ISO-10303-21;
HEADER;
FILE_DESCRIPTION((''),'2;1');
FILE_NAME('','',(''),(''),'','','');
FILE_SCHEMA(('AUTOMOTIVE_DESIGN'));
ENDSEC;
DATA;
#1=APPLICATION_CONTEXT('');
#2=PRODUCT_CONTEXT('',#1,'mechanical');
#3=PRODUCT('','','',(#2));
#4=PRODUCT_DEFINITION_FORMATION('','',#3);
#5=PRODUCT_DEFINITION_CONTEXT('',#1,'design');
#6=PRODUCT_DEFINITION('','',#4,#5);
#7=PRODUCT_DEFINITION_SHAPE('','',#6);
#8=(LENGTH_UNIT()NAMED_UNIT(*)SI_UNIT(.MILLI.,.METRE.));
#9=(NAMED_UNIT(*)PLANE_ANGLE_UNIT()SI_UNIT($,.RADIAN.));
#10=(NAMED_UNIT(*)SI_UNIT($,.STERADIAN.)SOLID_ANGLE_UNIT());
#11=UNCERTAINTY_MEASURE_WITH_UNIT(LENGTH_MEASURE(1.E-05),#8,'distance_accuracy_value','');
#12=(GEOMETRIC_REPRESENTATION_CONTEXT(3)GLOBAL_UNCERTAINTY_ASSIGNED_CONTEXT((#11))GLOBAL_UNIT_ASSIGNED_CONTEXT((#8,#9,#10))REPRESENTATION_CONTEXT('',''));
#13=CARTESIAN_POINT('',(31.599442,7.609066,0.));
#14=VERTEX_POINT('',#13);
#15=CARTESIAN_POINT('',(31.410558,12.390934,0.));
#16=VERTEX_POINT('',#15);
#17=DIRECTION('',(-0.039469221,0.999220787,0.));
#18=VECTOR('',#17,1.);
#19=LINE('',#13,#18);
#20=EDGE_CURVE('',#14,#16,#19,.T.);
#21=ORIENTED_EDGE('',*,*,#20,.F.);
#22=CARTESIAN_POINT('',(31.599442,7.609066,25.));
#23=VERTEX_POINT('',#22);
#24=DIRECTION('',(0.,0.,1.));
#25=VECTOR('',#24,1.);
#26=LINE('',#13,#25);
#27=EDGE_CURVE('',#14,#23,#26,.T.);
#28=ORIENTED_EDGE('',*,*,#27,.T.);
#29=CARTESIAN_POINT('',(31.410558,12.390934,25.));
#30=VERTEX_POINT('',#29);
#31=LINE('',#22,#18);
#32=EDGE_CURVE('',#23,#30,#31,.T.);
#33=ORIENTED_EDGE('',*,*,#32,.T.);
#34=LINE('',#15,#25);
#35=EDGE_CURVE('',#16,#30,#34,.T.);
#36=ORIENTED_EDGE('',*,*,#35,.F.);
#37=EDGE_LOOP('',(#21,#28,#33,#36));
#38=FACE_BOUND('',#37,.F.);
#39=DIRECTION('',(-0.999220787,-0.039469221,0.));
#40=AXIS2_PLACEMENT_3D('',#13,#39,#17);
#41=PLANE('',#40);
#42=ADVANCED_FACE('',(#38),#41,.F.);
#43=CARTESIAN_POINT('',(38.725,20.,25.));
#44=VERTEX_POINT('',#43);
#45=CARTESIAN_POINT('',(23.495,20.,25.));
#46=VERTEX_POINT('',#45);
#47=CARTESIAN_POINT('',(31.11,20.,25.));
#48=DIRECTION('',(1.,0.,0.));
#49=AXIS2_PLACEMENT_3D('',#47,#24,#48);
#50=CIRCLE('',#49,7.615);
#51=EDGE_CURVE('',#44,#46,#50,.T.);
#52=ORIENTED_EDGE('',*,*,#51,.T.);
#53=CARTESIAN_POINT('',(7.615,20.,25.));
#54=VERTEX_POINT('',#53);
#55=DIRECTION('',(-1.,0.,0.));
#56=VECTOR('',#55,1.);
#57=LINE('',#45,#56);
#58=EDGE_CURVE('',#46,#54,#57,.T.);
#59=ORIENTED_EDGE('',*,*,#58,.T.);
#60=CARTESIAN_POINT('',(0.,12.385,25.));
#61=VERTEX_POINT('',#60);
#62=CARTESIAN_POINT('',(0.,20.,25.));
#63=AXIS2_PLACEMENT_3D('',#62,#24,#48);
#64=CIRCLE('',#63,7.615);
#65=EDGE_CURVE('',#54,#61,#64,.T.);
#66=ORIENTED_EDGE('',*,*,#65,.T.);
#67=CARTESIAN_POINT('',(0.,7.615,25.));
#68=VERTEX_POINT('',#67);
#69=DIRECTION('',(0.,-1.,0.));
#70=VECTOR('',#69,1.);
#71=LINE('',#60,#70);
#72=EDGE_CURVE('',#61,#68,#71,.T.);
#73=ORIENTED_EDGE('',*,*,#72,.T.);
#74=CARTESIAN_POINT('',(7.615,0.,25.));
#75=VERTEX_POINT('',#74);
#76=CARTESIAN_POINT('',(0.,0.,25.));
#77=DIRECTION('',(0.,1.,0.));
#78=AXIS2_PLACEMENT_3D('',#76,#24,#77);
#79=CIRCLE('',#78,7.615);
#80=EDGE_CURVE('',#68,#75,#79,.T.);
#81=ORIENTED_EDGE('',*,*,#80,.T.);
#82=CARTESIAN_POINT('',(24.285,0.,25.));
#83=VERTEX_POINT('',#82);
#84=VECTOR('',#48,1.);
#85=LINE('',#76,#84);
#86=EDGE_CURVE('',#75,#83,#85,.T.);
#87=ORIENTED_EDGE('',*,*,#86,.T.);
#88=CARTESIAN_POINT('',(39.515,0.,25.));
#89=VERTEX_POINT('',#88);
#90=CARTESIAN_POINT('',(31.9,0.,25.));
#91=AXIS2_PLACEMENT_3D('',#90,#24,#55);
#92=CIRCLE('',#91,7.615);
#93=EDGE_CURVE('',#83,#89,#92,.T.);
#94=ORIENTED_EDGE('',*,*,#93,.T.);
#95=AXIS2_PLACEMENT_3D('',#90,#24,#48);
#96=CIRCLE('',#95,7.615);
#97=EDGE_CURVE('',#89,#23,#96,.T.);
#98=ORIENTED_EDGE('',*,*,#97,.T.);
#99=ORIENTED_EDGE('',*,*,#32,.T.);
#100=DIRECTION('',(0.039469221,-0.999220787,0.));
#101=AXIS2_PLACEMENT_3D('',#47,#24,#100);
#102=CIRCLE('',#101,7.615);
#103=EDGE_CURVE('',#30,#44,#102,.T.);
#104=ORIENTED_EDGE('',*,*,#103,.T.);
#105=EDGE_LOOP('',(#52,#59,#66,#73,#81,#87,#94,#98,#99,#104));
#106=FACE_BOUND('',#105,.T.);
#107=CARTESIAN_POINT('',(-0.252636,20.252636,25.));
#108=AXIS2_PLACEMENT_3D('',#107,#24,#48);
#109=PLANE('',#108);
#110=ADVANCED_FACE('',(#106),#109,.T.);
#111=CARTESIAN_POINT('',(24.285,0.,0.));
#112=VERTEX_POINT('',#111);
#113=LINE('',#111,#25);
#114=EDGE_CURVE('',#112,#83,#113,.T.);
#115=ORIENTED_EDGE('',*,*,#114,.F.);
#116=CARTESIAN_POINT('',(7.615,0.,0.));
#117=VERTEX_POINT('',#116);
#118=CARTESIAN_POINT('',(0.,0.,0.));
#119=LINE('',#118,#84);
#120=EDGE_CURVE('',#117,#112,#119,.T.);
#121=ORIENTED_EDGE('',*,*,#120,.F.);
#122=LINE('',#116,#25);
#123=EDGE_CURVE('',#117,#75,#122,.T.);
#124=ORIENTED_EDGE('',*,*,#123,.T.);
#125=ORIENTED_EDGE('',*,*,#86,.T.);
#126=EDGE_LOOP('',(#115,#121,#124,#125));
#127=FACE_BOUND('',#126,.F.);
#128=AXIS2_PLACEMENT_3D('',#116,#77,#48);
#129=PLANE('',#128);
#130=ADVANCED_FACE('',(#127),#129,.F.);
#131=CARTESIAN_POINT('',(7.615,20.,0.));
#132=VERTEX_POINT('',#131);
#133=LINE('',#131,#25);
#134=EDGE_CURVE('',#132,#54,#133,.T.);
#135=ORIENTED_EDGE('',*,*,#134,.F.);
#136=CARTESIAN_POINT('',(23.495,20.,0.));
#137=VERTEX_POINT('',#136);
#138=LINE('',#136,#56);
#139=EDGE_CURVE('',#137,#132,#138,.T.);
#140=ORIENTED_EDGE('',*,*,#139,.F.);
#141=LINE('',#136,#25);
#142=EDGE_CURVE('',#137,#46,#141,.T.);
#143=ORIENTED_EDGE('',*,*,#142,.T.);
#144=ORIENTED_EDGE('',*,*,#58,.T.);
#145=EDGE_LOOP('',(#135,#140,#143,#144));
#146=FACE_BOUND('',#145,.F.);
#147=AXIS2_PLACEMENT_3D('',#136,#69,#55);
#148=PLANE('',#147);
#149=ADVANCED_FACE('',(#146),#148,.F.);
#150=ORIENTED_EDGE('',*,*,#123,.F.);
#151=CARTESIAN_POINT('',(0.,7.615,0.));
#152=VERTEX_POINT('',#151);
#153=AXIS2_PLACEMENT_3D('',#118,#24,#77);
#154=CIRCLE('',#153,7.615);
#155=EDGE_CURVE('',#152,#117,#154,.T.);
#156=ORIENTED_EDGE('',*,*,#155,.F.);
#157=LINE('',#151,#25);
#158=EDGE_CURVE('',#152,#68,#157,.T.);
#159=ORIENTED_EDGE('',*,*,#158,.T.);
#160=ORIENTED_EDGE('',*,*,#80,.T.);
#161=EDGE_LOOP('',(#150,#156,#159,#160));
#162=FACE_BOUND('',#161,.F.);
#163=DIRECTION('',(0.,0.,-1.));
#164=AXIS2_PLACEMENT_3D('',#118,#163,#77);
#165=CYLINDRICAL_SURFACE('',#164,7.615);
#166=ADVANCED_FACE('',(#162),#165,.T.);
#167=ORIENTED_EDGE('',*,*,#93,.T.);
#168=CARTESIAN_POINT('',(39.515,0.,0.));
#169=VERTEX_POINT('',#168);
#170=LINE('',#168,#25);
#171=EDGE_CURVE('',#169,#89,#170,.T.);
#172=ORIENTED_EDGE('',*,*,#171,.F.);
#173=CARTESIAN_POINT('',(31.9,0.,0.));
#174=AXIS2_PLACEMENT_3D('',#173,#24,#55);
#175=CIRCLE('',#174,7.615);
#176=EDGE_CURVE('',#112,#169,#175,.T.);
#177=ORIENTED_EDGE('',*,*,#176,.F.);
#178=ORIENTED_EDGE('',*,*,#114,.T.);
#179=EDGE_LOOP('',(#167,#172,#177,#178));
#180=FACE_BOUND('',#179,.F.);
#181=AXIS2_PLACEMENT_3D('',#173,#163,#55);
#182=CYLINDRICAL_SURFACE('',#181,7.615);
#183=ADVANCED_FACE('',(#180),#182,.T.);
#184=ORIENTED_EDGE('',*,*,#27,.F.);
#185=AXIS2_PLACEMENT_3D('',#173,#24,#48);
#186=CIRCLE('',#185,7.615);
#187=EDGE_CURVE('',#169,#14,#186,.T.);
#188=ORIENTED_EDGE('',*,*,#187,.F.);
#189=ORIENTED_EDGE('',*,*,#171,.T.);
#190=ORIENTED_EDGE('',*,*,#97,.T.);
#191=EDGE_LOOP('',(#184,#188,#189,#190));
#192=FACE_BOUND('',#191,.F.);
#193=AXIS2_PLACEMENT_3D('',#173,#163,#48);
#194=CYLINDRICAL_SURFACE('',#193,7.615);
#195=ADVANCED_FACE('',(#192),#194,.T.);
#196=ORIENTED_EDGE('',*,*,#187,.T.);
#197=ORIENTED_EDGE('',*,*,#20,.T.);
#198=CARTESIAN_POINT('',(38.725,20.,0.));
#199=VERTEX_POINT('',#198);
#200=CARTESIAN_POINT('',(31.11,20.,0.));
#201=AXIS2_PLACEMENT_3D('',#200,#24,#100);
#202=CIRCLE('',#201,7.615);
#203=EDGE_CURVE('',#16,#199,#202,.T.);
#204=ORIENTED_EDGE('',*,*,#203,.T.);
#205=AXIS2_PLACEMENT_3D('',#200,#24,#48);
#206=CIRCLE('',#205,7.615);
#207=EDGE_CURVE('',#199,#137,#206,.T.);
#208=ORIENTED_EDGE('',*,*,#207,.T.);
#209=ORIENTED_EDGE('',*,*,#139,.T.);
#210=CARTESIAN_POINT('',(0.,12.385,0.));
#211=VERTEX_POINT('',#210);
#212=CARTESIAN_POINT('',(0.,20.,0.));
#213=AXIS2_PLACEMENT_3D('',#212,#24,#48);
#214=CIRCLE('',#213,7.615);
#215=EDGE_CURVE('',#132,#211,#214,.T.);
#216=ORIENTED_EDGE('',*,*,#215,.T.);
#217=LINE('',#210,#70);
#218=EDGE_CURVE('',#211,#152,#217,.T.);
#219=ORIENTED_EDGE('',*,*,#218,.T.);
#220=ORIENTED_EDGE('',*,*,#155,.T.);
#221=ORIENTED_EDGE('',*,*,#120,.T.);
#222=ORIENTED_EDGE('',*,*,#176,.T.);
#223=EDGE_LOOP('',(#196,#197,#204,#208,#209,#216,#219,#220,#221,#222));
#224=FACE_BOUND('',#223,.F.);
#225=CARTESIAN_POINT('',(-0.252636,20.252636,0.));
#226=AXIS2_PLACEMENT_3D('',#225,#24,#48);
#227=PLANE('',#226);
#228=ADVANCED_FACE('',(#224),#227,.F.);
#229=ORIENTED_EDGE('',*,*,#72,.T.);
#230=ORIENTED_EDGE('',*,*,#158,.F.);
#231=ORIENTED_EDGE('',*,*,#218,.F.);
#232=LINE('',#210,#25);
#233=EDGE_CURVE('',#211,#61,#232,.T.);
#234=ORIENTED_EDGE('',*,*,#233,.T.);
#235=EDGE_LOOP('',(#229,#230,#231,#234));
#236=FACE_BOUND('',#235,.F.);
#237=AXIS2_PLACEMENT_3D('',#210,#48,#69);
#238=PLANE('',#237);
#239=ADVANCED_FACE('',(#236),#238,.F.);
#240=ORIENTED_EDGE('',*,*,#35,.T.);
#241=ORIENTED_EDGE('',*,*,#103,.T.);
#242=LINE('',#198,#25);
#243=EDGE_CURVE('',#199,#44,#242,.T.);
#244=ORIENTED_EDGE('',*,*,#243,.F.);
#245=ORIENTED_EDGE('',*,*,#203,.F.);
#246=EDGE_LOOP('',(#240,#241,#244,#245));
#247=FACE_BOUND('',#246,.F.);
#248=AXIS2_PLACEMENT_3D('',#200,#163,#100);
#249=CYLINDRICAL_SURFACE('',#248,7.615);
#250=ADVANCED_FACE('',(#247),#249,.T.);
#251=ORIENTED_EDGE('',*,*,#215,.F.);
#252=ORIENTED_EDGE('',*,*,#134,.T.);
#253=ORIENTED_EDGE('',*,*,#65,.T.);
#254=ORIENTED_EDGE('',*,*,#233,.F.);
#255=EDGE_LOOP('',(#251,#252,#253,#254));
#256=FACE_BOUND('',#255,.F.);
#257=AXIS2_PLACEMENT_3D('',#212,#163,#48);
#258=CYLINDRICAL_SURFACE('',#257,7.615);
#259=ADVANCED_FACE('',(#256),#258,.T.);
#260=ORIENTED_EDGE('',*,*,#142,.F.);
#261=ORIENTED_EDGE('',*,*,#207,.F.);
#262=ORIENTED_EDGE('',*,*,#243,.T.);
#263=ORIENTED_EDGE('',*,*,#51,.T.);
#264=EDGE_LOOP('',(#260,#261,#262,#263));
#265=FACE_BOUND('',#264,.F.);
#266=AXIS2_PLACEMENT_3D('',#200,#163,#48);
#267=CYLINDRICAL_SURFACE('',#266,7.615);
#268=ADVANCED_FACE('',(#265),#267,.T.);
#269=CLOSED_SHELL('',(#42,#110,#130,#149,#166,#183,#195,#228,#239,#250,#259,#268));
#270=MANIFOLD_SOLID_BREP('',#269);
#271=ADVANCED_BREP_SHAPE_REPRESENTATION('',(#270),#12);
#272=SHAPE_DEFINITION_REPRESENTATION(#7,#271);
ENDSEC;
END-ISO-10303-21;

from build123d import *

# Parameters (mm, degrees)
F1_DEPTH = 25


with BuildPart() as f1:
    # F0 (on Top) → F1 (new body)
    with BuildSketch(Plane.XY):
        with BuildLine():
            Line((0, 12.385), (0, 20))
            Line((0, 20), (7.615, 20))
            ThreePointArc((7.615, 20), (-5.3846181387, 25.3846181387), (0, 12.385))
        make_face()
        with BuildLine():
            Line((7.615, 20), (0, 20))
            Line((0, 20), (0, 12.385))
            ThreePointArc((0, 12.385), (5.3846181387, 14.6153818613), (7.615, 20))
        make_face()
        with BuildLine():
            Line((23.495, 20), (7.615, 20))
            ThreePointArc((7.615, 20), (5.3846181387, 14.6153818613), (0, 12.385))
            Line((0, 12.385), (0, 7.615))
            ThreePointArc((0, 7.615), (5.3846181387, 5.3846181387), (7.615, 0))
            Line((7.615, 0), (24.285, 0))
            ThreePointArc((24.285, 0), (26.4101468566, 5.2772850467), (31.5994418815, 7.6090662908))
            Line((31.5994418815, 7.6090662908), (31.4105581185, 12.3909337092))
            ThreePointArc((31.4105581185, 12.3909337092), (25.8327149533, 14.5101468566), (23.495, 20))
        make_face()
        with BuildLine():
            ThreePointArc((38.725, 20), (31.11, 27.615), (23.495, 20))
            Line((23.495, 20), (31.11, 20))
            Line((31.11, 20), (31.4105581185, 12.3909337092))
            ThreePointArc((31.4105581185, 12.3909337092), (36.5998531434, 14.7227149533), (38.725, 20))
        make_face()
        with BuildLine():
            Line((31.11, 20), (23.495, 20))
            ThreePointArc((23.495, 20), (25.8327149533, 14.5101468566), (31.4105581185, 12.3909337092))
            Line((31.4105581185, 12.3909337092), (31.11, 20))
        make_face()
        with BuildLine():
            ThreePointArc((7.615, 0), (5.3846181387, 5.3846181387), (0, 7.615))
            Line((0, 7.615), (0, 0))
            Line((0, 0), (7.615, 0))
        make_face()
        with BuildLine():
            Line((0, 0), (0, 7.615))
            ThreePointArc((0, 7.615), (-5.3846181387, -5.3846181387), (7.615, 0))
            Line((7.615, 0), (0, 0))
        make_face()
        with BuildLine():
            ThreePointArc((39.515, 0), (37.1772850467, 5.4898531434), (31.5994418815, 7.6090662908))
            Line((31.5994418815, 7.6090662908), (31.9, 0))
            Line((31.9, 0), (24.285, 0))
            ThreePointArc((24.285, 0), (31.9, -7.615), (39.515, 0))
        make_face()
        with BuildLine():
            Line((31.9, 0), (31.5994418815, 7.6090662908))
            ThreePointArc((31.5994418815, 7.6090662908), (26.4101468566, 5.2772850467), (24.285, 0))
            Line((24.285, 0), (31.9, 0))
        make_face()
    extrude(amount=F1_DEPTH)


solid = f1.part
